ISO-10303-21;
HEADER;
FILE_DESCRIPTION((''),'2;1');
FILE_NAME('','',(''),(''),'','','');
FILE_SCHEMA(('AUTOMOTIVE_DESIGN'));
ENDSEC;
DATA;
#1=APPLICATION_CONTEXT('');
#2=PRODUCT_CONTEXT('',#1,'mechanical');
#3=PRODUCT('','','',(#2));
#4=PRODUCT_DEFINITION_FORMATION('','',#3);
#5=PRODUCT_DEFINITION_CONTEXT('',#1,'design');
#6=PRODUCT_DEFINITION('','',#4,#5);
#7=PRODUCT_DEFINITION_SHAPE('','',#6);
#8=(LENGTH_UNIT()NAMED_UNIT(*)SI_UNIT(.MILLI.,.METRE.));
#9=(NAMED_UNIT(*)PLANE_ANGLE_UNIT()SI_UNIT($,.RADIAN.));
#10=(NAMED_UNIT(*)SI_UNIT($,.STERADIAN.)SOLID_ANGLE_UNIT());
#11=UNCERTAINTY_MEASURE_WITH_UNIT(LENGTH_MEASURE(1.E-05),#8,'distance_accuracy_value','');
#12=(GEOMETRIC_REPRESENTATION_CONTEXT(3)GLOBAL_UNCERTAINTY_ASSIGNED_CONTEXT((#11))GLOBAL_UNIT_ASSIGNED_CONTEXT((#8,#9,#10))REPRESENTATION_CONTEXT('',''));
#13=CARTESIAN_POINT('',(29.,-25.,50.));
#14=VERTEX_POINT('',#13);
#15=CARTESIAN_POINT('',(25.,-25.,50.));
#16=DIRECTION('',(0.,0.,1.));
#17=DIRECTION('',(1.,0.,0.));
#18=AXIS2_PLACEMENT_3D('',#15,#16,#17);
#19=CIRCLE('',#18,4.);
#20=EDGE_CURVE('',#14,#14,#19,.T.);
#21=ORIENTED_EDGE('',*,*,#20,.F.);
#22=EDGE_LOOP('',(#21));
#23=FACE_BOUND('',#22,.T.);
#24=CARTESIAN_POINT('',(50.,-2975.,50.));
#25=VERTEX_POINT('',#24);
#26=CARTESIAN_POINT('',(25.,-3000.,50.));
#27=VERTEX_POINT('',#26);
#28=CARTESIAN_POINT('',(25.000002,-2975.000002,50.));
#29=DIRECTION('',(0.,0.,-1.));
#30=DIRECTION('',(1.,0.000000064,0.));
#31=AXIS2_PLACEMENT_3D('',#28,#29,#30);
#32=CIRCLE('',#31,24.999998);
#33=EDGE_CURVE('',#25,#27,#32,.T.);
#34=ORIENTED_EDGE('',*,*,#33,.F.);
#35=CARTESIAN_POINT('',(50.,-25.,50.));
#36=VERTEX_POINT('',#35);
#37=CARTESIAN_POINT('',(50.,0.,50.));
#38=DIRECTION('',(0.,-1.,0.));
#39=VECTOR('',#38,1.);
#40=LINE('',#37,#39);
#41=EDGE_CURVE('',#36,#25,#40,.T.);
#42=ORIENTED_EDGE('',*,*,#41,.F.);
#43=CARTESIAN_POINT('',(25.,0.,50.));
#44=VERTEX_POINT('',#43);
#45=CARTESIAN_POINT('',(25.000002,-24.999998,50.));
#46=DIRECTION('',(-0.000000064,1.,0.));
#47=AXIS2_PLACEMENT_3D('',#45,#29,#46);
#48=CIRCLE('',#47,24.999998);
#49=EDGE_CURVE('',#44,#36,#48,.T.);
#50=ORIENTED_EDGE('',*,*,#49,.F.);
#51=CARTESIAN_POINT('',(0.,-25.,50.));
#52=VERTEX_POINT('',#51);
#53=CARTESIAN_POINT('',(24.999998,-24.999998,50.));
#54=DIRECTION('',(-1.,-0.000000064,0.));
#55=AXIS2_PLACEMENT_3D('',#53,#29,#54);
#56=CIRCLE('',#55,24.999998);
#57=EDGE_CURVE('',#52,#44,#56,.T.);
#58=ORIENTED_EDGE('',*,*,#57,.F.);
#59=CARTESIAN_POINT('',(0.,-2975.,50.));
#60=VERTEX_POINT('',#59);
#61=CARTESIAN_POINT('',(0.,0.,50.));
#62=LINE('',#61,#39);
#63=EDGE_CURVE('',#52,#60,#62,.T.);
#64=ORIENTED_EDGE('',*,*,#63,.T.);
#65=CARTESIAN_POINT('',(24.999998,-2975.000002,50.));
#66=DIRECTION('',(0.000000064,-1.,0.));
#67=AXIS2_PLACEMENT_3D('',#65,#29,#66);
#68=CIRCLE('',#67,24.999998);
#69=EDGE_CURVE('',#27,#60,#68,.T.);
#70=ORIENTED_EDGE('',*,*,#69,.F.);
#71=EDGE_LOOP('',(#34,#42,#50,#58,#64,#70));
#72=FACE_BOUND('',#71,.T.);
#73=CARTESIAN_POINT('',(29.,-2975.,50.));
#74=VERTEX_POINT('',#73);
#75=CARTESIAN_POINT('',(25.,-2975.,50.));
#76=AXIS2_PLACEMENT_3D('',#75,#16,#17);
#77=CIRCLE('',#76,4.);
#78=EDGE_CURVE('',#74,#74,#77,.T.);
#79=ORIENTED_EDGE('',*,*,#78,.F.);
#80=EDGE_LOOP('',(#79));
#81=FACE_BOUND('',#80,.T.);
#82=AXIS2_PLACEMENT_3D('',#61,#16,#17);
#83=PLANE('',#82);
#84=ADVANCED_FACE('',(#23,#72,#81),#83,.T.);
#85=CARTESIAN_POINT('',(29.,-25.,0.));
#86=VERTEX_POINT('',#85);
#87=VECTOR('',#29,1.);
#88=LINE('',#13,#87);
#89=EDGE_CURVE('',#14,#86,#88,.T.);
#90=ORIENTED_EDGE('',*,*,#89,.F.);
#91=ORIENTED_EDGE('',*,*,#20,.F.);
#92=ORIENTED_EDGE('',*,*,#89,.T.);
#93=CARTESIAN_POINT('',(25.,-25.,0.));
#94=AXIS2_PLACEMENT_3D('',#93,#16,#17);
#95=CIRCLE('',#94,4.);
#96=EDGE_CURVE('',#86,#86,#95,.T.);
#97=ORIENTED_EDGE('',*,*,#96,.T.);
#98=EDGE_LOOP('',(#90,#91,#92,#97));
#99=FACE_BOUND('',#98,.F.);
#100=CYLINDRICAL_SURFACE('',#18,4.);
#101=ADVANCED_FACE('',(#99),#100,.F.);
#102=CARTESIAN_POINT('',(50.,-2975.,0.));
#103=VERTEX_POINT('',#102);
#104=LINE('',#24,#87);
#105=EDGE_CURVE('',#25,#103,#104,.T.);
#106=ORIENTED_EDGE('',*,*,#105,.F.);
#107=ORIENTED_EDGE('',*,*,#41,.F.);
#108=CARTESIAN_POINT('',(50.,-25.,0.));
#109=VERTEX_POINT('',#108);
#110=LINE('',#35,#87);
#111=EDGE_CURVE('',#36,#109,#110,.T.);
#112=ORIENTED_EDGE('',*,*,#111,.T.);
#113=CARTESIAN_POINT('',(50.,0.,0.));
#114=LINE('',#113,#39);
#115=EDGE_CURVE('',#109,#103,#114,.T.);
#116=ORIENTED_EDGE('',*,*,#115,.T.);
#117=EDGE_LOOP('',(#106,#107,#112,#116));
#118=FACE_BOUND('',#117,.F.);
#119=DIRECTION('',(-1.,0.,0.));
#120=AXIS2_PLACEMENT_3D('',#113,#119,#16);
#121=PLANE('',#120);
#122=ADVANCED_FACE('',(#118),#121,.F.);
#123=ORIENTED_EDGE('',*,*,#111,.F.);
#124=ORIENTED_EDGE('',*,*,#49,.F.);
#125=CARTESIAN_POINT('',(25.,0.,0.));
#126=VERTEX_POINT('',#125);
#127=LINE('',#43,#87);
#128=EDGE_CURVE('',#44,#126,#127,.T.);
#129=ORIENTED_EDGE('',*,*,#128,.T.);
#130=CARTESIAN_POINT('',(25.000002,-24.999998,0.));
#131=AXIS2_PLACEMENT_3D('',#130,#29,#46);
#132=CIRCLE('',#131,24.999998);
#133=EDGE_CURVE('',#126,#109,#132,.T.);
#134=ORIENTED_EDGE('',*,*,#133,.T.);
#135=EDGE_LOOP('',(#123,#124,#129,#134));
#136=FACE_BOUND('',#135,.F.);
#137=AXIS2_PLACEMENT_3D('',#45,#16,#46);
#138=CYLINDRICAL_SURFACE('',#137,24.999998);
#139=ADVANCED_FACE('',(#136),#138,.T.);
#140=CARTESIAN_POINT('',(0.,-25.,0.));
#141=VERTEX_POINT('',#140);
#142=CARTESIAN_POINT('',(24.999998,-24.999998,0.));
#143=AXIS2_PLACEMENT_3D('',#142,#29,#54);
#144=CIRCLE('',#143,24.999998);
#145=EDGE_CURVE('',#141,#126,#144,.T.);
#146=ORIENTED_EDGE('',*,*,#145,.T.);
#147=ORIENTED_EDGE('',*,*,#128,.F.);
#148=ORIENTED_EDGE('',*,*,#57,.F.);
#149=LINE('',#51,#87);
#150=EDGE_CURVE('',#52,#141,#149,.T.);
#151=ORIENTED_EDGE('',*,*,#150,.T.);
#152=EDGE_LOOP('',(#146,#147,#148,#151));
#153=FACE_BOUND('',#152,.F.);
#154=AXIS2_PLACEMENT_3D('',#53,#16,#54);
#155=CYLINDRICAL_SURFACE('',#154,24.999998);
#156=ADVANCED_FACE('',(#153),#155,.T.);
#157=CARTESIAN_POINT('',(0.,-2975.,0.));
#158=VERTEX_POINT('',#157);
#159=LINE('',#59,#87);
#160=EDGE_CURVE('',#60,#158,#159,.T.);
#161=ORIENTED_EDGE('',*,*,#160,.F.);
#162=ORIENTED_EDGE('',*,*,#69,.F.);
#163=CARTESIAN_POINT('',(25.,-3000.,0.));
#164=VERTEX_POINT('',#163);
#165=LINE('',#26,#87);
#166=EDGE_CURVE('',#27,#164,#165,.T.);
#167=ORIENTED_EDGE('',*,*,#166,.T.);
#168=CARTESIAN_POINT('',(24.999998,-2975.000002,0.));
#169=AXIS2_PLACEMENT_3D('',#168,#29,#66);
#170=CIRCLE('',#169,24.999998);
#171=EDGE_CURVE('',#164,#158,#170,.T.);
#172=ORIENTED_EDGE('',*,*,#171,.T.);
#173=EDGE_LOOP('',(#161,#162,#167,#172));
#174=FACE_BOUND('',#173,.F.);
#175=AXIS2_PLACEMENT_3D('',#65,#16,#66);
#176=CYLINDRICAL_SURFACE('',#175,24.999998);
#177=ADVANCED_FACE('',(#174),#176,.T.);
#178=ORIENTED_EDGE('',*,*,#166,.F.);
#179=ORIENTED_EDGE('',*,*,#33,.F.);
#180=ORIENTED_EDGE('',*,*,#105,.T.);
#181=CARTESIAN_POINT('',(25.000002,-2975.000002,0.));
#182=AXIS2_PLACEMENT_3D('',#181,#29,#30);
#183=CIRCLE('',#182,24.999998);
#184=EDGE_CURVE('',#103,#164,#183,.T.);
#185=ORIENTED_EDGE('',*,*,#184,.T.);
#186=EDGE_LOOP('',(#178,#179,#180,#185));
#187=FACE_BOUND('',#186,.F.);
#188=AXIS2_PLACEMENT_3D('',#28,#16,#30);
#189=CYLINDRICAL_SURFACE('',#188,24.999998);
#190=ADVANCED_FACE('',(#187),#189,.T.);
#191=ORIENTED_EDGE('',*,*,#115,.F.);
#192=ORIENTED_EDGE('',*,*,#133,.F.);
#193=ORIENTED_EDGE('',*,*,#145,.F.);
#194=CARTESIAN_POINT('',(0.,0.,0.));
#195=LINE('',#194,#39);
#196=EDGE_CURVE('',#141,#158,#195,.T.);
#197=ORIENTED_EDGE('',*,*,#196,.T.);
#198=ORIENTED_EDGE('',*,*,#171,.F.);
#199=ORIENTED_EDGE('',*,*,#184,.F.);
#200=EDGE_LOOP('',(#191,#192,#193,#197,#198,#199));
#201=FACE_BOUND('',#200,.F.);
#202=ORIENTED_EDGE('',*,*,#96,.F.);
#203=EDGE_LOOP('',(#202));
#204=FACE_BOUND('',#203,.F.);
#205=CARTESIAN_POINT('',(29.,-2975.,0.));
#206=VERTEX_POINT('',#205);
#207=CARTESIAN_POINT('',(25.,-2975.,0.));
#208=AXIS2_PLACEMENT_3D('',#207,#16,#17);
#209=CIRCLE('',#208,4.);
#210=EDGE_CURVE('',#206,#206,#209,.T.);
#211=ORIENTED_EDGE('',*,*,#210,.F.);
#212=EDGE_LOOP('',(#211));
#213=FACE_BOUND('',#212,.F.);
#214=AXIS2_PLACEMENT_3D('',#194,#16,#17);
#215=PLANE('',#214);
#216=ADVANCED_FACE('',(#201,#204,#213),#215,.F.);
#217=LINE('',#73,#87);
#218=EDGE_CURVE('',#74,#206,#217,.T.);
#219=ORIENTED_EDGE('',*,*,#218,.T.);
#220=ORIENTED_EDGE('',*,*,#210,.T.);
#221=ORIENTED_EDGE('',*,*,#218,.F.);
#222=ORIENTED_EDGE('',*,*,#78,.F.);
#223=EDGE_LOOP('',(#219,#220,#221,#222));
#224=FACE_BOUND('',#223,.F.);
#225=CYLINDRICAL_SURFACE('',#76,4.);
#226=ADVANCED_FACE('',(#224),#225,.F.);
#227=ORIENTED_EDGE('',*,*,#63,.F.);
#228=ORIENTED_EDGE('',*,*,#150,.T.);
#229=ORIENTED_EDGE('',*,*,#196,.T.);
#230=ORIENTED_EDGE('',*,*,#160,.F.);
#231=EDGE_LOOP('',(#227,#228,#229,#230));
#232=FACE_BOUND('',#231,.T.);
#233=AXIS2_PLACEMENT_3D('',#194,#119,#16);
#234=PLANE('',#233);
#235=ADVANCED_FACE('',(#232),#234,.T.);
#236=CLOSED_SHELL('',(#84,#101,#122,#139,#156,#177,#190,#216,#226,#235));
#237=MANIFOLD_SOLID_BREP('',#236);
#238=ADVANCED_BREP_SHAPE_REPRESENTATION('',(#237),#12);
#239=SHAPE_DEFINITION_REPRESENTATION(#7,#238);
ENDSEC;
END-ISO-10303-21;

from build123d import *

# Parameters (mm, degrees)
F0_W     = 50
F0_H     = 50
F1_DEPTH = 3000
F2_R     = 4
F3_DEPTH = 50.001
F5_DEPTH = 50


with BuildPart() as f1:
    # F0 (on Front) → F1 (new body)
    with BuildSketch(Plane.XZ):
        with Locations((25, 25)):
            Rectangle(F0_W, F0_H)
    extrude(amount=F1_DEPTH)

    # F2 (on face) → F3 (cut, through all)
    with BuildSketch(Plane.XY.offset(50)):
        with Locations((25, -25)):
            Circle(F2_R)
        with Locations((25, -2975)):
            Circle(F2_R)
    extrude(amount=-F3_DEPTH, mode=Mode.SUBTRACT)

    # F4 (on face) → F5 (cut, through all)
    with BuildSketch(Plane.XY.offset(50)):
        with BuildLine():
            ThreePointArc((0, -25), (7.32233, -7.32233), (25, 0))
            Line((25, 0), (0, 0))
            Line((0, 0), (0, -25))
        make_face()
        with BuildLine():
            ThreePointArc((25, 0), (42.67767, -7.32233), (50, -25))
            Line((50, -25), (50, 0))
            Line((50, 0), (25, 0))
        make_face()
        with BuildLine():
            ThreePointArc((50, -2975), (42.67767, -2992.67767), (25, -3000))
            Line((25, -3000), (50, -3000))
            Line((50, -3000), (50, -2975))
        make_face()
        with BuildLine():
            ThreePointArc((25, -3000), (7.32233, -2992.67767), (0, -2975))
            Line((0, -2975), (0, -3000))
            Line((0, -3000), (25, -3000))
        make_face()
    extrude(amount=-F5_DEPTH, mode=Mode.SUBTRACT)


solid = f1.part
